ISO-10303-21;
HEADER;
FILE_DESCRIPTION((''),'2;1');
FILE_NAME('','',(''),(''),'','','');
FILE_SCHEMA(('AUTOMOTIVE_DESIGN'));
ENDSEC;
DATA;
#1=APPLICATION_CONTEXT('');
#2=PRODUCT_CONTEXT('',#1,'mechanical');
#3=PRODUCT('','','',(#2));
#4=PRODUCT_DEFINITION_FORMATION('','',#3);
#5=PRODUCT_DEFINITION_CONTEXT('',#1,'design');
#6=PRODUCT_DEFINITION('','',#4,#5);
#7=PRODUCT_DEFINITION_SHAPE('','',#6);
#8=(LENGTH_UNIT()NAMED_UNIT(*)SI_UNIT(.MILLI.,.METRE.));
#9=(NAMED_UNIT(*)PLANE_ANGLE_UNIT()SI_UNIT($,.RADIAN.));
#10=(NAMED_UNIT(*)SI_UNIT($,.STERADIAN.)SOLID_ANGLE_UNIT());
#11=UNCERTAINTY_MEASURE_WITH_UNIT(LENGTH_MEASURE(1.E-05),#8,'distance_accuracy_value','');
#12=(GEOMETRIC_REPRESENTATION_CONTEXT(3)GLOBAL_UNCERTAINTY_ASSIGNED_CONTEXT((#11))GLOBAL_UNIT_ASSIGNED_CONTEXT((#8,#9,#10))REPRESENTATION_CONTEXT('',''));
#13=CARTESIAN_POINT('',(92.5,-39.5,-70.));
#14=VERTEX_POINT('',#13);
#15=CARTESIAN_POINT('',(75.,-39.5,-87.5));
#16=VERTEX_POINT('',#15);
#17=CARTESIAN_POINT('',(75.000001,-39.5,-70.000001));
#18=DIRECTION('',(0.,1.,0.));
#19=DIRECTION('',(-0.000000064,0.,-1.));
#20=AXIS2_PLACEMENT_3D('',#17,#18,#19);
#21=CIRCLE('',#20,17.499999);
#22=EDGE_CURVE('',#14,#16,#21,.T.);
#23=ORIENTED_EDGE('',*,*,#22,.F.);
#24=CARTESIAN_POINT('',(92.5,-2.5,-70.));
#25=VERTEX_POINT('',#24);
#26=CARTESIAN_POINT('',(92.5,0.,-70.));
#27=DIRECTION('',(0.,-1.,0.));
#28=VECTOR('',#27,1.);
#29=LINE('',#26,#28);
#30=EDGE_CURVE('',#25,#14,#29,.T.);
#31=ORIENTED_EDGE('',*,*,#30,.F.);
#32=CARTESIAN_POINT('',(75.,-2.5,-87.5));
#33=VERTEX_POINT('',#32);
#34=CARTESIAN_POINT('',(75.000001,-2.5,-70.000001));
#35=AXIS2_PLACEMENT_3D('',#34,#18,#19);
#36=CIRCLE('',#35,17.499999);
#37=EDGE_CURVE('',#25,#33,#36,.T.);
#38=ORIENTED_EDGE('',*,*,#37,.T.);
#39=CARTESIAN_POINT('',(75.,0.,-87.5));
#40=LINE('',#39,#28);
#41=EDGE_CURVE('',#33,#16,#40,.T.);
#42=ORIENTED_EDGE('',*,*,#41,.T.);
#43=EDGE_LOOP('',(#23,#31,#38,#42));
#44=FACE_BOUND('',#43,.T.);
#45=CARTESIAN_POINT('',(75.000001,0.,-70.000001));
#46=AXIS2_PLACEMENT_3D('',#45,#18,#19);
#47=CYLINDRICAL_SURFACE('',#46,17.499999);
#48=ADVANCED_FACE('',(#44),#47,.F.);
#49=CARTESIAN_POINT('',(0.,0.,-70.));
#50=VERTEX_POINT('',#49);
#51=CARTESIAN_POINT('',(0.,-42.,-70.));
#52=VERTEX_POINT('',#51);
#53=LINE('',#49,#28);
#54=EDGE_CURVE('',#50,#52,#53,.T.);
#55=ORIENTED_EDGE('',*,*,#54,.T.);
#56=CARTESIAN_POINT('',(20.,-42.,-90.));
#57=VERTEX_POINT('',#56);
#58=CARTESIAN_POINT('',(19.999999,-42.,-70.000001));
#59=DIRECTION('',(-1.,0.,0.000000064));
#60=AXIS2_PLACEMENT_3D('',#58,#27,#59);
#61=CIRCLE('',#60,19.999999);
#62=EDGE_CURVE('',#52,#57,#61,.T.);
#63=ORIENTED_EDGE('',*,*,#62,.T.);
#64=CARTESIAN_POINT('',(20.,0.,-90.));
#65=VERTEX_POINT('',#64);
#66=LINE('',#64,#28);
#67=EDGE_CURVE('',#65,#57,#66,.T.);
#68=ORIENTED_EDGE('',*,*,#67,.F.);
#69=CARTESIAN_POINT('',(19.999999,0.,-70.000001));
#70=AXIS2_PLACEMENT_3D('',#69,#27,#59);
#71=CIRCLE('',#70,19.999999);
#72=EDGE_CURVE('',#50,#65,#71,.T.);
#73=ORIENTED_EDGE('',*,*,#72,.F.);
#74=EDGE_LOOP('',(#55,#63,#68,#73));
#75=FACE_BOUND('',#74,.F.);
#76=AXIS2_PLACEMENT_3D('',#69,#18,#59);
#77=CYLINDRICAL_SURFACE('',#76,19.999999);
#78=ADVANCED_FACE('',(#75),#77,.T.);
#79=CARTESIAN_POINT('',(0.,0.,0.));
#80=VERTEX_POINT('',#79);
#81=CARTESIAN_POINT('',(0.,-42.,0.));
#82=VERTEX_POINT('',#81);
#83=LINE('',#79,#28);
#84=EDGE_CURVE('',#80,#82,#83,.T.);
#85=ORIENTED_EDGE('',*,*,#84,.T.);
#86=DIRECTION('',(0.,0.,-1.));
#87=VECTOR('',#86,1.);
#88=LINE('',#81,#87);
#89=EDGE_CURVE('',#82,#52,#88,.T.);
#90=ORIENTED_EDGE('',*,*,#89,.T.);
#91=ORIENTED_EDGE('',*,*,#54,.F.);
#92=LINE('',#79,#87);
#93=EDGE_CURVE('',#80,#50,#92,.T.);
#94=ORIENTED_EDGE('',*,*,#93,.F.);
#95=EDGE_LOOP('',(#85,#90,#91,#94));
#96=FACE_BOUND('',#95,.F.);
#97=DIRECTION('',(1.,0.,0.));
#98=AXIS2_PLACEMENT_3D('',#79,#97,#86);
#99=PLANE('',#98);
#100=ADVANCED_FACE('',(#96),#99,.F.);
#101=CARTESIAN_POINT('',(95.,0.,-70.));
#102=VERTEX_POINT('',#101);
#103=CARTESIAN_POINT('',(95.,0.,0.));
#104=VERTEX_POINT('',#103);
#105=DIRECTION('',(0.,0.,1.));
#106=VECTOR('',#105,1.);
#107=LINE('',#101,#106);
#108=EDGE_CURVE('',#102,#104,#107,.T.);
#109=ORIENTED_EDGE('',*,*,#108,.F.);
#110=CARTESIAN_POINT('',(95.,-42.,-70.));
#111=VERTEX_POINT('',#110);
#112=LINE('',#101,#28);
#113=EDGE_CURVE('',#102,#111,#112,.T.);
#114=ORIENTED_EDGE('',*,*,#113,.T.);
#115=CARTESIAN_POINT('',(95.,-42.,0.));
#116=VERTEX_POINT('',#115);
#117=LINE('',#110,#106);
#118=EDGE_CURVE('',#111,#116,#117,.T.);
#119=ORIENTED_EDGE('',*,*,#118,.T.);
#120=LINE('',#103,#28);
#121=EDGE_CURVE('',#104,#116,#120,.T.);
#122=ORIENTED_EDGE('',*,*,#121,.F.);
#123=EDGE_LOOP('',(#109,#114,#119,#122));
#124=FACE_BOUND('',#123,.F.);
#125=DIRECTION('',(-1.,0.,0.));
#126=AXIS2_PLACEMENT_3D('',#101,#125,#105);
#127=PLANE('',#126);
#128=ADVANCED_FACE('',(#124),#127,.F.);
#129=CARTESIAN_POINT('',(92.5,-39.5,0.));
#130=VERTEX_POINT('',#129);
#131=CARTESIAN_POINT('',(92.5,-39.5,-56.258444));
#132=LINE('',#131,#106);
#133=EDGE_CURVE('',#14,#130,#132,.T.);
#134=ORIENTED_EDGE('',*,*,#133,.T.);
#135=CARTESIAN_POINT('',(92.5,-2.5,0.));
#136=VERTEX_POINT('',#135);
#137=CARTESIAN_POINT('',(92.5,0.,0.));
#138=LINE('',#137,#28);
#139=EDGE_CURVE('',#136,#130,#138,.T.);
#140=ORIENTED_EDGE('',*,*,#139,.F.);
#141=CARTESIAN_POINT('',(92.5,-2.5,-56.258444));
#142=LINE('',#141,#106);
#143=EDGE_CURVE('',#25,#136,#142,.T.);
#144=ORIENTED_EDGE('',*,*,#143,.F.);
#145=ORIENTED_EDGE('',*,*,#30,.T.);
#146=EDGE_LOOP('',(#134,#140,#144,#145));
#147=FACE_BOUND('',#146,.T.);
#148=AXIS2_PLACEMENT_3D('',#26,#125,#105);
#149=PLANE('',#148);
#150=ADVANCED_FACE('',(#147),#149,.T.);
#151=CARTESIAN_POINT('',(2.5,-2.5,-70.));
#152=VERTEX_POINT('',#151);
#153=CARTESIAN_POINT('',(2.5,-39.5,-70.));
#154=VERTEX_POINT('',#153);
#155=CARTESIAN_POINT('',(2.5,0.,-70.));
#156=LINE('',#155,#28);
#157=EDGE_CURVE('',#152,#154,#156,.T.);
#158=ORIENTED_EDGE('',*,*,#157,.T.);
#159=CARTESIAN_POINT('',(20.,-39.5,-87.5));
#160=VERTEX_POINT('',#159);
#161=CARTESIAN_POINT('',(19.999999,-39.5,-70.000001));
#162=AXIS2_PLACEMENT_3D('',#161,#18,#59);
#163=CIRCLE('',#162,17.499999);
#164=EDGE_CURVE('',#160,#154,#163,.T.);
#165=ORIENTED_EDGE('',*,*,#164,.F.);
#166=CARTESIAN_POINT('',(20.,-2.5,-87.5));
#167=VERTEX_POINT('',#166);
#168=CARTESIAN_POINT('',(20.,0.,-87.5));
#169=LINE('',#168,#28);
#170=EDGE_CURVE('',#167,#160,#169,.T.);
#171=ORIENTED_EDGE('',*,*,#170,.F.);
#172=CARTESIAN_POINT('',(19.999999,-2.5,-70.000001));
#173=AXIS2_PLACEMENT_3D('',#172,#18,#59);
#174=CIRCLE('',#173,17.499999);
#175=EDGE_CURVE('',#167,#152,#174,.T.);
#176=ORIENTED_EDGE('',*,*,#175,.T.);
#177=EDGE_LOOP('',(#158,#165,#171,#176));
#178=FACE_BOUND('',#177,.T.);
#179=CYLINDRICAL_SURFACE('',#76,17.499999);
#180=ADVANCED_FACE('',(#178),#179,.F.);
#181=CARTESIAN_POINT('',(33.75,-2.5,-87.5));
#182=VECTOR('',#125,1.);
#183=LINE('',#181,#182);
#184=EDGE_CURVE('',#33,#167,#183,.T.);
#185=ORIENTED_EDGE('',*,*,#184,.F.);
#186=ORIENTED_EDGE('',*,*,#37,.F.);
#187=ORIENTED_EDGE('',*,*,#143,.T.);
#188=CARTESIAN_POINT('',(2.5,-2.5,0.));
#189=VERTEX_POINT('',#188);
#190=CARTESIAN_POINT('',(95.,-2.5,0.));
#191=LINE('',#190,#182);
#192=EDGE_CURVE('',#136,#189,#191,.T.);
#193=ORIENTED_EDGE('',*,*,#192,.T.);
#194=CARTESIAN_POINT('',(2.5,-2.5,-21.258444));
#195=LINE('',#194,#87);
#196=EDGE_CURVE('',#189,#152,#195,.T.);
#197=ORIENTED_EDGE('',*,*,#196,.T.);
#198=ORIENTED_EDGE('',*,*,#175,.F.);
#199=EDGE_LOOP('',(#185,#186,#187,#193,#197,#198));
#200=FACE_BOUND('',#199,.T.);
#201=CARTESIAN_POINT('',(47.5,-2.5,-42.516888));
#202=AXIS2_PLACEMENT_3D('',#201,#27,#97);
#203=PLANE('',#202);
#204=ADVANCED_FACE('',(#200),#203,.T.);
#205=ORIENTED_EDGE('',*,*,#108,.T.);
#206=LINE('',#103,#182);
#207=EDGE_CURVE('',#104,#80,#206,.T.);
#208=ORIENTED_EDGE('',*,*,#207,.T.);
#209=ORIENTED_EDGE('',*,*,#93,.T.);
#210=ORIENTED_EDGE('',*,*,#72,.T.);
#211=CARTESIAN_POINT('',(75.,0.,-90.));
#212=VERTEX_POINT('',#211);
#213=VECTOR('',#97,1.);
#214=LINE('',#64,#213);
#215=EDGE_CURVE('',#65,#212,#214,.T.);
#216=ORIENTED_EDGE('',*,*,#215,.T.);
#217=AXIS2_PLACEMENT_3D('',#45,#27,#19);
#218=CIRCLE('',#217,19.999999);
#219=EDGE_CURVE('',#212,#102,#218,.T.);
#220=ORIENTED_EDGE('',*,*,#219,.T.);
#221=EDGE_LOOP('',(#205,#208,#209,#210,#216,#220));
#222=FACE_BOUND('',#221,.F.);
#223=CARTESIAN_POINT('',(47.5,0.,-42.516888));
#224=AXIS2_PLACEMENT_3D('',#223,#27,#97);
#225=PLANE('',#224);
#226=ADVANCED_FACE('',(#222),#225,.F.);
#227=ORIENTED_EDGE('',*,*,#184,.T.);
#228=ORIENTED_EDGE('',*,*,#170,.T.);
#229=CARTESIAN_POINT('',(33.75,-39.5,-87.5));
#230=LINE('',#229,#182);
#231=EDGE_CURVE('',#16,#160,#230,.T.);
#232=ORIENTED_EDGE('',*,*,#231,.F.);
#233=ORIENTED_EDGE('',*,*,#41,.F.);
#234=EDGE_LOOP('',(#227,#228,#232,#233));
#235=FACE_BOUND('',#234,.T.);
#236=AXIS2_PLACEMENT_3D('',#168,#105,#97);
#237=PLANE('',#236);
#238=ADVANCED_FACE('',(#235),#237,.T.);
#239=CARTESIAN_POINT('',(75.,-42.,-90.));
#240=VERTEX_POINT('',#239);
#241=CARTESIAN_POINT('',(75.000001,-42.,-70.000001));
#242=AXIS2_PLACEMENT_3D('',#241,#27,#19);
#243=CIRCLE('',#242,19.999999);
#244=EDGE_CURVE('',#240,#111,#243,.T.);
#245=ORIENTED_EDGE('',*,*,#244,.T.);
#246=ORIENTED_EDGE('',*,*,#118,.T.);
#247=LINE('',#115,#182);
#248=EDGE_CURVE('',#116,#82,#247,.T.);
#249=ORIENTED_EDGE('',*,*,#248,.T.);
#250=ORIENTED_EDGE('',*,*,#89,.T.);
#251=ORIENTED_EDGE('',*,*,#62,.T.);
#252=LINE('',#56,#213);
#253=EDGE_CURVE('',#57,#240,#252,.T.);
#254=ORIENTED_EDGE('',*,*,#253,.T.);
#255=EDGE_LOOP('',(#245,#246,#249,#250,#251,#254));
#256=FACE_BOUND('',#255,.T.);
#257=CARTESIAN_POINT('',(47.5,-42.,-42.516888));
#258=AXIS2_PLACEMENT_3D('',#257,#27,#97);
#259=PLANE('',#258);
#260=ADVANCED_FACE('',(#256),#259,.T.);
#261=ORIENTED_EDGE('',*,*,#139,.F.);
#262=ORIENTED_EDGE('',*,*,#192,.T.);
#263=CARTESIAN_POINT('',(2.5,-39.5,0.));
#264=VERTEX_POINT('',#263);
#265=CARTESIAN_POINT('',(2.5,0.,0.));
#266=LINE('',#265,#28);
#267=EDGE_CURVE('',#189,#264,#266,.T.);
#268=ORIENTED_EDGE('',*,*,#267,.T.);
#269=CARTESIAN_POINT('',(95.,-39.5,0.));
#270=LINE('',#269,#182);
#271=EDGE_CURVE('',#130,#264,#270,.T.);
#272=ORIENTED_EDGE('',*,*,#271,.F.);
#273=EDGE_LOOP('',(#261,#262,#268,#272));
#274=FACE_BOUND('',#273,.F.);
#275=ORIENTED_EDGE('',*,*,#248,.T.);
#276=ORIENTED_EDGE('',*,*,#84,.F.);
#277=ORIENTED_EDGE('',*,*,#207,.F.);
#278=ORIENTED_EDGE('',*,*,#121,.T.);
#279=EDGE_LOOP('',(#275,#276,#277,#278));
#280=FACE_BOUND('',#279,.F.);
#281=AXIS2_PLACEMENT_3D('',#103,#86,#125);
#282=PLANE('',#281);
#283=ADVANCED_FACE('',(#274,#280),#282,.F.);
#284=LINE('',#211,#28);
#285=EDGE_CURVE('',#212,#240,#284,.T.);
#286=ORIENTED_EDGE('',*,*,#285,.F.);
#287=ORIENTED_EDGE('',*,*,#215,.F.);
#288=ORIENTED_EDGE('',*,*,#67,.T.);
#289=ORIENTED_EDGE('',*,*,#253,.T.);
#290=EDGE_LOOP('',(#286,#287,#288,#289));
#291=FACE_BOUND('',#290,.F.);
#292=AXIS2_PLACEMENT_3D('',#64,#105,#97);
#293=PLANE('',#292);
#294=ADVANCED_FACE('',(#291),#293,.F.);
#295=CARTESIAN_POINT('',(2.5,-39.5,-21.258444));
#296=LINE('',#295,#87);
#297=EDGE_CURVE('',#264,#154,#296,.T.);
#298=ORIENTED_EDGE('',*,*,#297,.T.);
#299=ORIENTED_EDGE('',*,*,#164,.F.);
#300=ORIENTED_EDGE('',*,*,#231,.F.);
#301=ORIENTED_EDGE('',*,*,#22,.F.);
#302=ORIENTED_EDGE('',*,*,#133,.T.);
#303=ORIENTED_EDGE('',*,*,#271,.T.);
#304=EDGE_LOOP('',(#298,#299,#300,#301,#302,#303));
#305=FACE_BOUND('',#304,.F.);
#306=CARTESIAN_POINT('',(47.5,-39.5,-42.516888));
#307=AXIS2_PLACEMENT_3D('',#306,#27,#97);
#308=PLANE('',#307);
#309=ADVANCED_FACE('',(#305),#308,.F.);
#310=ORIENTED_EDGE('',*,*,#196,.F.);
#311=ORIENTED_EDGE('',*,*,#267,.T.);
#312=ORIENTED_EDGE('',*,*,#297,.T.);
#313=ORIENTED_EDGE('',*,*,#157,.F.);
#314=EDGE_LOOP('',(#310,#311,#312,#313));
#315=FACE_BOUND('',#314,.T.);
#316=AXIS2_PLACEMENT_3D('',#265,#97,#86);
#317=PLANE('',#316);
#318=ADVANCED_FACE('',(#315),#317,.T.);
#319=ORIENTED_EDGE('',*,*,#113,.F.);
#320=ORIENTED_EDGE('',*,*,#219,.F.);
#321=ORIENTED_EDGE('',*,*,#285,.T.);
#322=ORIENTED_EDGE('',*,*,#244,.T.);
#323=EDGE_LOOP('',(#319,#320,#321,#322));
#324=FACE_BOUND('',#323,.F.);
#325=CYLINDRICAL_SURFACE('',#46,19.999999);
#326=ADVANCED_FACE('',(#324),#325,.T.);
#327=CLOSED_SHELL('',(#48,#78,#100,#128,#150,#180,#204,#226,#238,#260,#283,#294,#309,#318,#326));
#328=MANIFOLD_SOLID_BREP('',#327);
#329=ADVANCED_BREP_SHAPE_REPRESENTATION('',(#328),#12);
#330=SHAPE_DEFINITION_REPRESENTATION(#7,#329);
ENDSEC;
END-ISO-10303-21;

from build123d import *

# Parameters (mm, degrees)
F1_DEPTH = 42
F2_T     = -2.5


with BuildPart() as f1:
    # F0 (on Front) → F1 (new body)
    with BuildSketch(Plane.XZ):
        with BuildLine():
            Line((95, 0), (0, 0))
            Line((0, 0), (0, -70))
            ThreePointArc((0, -70), (5.857864, -84.142136), (20, -90))
            Line((20, -90), (75, -90))
            ThreePointArc((75, -90), (89.142136, -84.142136), (95, -70))
            Line((95, -70), (95, 0))
        make_face()
    extrude(amount=F1_DEPTH)

    # F2
    f2_openings = [f1.faces().sort_by_distance(p)[0] for p in [
        (47.5, -21, 0),
    ]]
    offset(amount=F2_T, openings=f2_openings)


solid = f1.part
